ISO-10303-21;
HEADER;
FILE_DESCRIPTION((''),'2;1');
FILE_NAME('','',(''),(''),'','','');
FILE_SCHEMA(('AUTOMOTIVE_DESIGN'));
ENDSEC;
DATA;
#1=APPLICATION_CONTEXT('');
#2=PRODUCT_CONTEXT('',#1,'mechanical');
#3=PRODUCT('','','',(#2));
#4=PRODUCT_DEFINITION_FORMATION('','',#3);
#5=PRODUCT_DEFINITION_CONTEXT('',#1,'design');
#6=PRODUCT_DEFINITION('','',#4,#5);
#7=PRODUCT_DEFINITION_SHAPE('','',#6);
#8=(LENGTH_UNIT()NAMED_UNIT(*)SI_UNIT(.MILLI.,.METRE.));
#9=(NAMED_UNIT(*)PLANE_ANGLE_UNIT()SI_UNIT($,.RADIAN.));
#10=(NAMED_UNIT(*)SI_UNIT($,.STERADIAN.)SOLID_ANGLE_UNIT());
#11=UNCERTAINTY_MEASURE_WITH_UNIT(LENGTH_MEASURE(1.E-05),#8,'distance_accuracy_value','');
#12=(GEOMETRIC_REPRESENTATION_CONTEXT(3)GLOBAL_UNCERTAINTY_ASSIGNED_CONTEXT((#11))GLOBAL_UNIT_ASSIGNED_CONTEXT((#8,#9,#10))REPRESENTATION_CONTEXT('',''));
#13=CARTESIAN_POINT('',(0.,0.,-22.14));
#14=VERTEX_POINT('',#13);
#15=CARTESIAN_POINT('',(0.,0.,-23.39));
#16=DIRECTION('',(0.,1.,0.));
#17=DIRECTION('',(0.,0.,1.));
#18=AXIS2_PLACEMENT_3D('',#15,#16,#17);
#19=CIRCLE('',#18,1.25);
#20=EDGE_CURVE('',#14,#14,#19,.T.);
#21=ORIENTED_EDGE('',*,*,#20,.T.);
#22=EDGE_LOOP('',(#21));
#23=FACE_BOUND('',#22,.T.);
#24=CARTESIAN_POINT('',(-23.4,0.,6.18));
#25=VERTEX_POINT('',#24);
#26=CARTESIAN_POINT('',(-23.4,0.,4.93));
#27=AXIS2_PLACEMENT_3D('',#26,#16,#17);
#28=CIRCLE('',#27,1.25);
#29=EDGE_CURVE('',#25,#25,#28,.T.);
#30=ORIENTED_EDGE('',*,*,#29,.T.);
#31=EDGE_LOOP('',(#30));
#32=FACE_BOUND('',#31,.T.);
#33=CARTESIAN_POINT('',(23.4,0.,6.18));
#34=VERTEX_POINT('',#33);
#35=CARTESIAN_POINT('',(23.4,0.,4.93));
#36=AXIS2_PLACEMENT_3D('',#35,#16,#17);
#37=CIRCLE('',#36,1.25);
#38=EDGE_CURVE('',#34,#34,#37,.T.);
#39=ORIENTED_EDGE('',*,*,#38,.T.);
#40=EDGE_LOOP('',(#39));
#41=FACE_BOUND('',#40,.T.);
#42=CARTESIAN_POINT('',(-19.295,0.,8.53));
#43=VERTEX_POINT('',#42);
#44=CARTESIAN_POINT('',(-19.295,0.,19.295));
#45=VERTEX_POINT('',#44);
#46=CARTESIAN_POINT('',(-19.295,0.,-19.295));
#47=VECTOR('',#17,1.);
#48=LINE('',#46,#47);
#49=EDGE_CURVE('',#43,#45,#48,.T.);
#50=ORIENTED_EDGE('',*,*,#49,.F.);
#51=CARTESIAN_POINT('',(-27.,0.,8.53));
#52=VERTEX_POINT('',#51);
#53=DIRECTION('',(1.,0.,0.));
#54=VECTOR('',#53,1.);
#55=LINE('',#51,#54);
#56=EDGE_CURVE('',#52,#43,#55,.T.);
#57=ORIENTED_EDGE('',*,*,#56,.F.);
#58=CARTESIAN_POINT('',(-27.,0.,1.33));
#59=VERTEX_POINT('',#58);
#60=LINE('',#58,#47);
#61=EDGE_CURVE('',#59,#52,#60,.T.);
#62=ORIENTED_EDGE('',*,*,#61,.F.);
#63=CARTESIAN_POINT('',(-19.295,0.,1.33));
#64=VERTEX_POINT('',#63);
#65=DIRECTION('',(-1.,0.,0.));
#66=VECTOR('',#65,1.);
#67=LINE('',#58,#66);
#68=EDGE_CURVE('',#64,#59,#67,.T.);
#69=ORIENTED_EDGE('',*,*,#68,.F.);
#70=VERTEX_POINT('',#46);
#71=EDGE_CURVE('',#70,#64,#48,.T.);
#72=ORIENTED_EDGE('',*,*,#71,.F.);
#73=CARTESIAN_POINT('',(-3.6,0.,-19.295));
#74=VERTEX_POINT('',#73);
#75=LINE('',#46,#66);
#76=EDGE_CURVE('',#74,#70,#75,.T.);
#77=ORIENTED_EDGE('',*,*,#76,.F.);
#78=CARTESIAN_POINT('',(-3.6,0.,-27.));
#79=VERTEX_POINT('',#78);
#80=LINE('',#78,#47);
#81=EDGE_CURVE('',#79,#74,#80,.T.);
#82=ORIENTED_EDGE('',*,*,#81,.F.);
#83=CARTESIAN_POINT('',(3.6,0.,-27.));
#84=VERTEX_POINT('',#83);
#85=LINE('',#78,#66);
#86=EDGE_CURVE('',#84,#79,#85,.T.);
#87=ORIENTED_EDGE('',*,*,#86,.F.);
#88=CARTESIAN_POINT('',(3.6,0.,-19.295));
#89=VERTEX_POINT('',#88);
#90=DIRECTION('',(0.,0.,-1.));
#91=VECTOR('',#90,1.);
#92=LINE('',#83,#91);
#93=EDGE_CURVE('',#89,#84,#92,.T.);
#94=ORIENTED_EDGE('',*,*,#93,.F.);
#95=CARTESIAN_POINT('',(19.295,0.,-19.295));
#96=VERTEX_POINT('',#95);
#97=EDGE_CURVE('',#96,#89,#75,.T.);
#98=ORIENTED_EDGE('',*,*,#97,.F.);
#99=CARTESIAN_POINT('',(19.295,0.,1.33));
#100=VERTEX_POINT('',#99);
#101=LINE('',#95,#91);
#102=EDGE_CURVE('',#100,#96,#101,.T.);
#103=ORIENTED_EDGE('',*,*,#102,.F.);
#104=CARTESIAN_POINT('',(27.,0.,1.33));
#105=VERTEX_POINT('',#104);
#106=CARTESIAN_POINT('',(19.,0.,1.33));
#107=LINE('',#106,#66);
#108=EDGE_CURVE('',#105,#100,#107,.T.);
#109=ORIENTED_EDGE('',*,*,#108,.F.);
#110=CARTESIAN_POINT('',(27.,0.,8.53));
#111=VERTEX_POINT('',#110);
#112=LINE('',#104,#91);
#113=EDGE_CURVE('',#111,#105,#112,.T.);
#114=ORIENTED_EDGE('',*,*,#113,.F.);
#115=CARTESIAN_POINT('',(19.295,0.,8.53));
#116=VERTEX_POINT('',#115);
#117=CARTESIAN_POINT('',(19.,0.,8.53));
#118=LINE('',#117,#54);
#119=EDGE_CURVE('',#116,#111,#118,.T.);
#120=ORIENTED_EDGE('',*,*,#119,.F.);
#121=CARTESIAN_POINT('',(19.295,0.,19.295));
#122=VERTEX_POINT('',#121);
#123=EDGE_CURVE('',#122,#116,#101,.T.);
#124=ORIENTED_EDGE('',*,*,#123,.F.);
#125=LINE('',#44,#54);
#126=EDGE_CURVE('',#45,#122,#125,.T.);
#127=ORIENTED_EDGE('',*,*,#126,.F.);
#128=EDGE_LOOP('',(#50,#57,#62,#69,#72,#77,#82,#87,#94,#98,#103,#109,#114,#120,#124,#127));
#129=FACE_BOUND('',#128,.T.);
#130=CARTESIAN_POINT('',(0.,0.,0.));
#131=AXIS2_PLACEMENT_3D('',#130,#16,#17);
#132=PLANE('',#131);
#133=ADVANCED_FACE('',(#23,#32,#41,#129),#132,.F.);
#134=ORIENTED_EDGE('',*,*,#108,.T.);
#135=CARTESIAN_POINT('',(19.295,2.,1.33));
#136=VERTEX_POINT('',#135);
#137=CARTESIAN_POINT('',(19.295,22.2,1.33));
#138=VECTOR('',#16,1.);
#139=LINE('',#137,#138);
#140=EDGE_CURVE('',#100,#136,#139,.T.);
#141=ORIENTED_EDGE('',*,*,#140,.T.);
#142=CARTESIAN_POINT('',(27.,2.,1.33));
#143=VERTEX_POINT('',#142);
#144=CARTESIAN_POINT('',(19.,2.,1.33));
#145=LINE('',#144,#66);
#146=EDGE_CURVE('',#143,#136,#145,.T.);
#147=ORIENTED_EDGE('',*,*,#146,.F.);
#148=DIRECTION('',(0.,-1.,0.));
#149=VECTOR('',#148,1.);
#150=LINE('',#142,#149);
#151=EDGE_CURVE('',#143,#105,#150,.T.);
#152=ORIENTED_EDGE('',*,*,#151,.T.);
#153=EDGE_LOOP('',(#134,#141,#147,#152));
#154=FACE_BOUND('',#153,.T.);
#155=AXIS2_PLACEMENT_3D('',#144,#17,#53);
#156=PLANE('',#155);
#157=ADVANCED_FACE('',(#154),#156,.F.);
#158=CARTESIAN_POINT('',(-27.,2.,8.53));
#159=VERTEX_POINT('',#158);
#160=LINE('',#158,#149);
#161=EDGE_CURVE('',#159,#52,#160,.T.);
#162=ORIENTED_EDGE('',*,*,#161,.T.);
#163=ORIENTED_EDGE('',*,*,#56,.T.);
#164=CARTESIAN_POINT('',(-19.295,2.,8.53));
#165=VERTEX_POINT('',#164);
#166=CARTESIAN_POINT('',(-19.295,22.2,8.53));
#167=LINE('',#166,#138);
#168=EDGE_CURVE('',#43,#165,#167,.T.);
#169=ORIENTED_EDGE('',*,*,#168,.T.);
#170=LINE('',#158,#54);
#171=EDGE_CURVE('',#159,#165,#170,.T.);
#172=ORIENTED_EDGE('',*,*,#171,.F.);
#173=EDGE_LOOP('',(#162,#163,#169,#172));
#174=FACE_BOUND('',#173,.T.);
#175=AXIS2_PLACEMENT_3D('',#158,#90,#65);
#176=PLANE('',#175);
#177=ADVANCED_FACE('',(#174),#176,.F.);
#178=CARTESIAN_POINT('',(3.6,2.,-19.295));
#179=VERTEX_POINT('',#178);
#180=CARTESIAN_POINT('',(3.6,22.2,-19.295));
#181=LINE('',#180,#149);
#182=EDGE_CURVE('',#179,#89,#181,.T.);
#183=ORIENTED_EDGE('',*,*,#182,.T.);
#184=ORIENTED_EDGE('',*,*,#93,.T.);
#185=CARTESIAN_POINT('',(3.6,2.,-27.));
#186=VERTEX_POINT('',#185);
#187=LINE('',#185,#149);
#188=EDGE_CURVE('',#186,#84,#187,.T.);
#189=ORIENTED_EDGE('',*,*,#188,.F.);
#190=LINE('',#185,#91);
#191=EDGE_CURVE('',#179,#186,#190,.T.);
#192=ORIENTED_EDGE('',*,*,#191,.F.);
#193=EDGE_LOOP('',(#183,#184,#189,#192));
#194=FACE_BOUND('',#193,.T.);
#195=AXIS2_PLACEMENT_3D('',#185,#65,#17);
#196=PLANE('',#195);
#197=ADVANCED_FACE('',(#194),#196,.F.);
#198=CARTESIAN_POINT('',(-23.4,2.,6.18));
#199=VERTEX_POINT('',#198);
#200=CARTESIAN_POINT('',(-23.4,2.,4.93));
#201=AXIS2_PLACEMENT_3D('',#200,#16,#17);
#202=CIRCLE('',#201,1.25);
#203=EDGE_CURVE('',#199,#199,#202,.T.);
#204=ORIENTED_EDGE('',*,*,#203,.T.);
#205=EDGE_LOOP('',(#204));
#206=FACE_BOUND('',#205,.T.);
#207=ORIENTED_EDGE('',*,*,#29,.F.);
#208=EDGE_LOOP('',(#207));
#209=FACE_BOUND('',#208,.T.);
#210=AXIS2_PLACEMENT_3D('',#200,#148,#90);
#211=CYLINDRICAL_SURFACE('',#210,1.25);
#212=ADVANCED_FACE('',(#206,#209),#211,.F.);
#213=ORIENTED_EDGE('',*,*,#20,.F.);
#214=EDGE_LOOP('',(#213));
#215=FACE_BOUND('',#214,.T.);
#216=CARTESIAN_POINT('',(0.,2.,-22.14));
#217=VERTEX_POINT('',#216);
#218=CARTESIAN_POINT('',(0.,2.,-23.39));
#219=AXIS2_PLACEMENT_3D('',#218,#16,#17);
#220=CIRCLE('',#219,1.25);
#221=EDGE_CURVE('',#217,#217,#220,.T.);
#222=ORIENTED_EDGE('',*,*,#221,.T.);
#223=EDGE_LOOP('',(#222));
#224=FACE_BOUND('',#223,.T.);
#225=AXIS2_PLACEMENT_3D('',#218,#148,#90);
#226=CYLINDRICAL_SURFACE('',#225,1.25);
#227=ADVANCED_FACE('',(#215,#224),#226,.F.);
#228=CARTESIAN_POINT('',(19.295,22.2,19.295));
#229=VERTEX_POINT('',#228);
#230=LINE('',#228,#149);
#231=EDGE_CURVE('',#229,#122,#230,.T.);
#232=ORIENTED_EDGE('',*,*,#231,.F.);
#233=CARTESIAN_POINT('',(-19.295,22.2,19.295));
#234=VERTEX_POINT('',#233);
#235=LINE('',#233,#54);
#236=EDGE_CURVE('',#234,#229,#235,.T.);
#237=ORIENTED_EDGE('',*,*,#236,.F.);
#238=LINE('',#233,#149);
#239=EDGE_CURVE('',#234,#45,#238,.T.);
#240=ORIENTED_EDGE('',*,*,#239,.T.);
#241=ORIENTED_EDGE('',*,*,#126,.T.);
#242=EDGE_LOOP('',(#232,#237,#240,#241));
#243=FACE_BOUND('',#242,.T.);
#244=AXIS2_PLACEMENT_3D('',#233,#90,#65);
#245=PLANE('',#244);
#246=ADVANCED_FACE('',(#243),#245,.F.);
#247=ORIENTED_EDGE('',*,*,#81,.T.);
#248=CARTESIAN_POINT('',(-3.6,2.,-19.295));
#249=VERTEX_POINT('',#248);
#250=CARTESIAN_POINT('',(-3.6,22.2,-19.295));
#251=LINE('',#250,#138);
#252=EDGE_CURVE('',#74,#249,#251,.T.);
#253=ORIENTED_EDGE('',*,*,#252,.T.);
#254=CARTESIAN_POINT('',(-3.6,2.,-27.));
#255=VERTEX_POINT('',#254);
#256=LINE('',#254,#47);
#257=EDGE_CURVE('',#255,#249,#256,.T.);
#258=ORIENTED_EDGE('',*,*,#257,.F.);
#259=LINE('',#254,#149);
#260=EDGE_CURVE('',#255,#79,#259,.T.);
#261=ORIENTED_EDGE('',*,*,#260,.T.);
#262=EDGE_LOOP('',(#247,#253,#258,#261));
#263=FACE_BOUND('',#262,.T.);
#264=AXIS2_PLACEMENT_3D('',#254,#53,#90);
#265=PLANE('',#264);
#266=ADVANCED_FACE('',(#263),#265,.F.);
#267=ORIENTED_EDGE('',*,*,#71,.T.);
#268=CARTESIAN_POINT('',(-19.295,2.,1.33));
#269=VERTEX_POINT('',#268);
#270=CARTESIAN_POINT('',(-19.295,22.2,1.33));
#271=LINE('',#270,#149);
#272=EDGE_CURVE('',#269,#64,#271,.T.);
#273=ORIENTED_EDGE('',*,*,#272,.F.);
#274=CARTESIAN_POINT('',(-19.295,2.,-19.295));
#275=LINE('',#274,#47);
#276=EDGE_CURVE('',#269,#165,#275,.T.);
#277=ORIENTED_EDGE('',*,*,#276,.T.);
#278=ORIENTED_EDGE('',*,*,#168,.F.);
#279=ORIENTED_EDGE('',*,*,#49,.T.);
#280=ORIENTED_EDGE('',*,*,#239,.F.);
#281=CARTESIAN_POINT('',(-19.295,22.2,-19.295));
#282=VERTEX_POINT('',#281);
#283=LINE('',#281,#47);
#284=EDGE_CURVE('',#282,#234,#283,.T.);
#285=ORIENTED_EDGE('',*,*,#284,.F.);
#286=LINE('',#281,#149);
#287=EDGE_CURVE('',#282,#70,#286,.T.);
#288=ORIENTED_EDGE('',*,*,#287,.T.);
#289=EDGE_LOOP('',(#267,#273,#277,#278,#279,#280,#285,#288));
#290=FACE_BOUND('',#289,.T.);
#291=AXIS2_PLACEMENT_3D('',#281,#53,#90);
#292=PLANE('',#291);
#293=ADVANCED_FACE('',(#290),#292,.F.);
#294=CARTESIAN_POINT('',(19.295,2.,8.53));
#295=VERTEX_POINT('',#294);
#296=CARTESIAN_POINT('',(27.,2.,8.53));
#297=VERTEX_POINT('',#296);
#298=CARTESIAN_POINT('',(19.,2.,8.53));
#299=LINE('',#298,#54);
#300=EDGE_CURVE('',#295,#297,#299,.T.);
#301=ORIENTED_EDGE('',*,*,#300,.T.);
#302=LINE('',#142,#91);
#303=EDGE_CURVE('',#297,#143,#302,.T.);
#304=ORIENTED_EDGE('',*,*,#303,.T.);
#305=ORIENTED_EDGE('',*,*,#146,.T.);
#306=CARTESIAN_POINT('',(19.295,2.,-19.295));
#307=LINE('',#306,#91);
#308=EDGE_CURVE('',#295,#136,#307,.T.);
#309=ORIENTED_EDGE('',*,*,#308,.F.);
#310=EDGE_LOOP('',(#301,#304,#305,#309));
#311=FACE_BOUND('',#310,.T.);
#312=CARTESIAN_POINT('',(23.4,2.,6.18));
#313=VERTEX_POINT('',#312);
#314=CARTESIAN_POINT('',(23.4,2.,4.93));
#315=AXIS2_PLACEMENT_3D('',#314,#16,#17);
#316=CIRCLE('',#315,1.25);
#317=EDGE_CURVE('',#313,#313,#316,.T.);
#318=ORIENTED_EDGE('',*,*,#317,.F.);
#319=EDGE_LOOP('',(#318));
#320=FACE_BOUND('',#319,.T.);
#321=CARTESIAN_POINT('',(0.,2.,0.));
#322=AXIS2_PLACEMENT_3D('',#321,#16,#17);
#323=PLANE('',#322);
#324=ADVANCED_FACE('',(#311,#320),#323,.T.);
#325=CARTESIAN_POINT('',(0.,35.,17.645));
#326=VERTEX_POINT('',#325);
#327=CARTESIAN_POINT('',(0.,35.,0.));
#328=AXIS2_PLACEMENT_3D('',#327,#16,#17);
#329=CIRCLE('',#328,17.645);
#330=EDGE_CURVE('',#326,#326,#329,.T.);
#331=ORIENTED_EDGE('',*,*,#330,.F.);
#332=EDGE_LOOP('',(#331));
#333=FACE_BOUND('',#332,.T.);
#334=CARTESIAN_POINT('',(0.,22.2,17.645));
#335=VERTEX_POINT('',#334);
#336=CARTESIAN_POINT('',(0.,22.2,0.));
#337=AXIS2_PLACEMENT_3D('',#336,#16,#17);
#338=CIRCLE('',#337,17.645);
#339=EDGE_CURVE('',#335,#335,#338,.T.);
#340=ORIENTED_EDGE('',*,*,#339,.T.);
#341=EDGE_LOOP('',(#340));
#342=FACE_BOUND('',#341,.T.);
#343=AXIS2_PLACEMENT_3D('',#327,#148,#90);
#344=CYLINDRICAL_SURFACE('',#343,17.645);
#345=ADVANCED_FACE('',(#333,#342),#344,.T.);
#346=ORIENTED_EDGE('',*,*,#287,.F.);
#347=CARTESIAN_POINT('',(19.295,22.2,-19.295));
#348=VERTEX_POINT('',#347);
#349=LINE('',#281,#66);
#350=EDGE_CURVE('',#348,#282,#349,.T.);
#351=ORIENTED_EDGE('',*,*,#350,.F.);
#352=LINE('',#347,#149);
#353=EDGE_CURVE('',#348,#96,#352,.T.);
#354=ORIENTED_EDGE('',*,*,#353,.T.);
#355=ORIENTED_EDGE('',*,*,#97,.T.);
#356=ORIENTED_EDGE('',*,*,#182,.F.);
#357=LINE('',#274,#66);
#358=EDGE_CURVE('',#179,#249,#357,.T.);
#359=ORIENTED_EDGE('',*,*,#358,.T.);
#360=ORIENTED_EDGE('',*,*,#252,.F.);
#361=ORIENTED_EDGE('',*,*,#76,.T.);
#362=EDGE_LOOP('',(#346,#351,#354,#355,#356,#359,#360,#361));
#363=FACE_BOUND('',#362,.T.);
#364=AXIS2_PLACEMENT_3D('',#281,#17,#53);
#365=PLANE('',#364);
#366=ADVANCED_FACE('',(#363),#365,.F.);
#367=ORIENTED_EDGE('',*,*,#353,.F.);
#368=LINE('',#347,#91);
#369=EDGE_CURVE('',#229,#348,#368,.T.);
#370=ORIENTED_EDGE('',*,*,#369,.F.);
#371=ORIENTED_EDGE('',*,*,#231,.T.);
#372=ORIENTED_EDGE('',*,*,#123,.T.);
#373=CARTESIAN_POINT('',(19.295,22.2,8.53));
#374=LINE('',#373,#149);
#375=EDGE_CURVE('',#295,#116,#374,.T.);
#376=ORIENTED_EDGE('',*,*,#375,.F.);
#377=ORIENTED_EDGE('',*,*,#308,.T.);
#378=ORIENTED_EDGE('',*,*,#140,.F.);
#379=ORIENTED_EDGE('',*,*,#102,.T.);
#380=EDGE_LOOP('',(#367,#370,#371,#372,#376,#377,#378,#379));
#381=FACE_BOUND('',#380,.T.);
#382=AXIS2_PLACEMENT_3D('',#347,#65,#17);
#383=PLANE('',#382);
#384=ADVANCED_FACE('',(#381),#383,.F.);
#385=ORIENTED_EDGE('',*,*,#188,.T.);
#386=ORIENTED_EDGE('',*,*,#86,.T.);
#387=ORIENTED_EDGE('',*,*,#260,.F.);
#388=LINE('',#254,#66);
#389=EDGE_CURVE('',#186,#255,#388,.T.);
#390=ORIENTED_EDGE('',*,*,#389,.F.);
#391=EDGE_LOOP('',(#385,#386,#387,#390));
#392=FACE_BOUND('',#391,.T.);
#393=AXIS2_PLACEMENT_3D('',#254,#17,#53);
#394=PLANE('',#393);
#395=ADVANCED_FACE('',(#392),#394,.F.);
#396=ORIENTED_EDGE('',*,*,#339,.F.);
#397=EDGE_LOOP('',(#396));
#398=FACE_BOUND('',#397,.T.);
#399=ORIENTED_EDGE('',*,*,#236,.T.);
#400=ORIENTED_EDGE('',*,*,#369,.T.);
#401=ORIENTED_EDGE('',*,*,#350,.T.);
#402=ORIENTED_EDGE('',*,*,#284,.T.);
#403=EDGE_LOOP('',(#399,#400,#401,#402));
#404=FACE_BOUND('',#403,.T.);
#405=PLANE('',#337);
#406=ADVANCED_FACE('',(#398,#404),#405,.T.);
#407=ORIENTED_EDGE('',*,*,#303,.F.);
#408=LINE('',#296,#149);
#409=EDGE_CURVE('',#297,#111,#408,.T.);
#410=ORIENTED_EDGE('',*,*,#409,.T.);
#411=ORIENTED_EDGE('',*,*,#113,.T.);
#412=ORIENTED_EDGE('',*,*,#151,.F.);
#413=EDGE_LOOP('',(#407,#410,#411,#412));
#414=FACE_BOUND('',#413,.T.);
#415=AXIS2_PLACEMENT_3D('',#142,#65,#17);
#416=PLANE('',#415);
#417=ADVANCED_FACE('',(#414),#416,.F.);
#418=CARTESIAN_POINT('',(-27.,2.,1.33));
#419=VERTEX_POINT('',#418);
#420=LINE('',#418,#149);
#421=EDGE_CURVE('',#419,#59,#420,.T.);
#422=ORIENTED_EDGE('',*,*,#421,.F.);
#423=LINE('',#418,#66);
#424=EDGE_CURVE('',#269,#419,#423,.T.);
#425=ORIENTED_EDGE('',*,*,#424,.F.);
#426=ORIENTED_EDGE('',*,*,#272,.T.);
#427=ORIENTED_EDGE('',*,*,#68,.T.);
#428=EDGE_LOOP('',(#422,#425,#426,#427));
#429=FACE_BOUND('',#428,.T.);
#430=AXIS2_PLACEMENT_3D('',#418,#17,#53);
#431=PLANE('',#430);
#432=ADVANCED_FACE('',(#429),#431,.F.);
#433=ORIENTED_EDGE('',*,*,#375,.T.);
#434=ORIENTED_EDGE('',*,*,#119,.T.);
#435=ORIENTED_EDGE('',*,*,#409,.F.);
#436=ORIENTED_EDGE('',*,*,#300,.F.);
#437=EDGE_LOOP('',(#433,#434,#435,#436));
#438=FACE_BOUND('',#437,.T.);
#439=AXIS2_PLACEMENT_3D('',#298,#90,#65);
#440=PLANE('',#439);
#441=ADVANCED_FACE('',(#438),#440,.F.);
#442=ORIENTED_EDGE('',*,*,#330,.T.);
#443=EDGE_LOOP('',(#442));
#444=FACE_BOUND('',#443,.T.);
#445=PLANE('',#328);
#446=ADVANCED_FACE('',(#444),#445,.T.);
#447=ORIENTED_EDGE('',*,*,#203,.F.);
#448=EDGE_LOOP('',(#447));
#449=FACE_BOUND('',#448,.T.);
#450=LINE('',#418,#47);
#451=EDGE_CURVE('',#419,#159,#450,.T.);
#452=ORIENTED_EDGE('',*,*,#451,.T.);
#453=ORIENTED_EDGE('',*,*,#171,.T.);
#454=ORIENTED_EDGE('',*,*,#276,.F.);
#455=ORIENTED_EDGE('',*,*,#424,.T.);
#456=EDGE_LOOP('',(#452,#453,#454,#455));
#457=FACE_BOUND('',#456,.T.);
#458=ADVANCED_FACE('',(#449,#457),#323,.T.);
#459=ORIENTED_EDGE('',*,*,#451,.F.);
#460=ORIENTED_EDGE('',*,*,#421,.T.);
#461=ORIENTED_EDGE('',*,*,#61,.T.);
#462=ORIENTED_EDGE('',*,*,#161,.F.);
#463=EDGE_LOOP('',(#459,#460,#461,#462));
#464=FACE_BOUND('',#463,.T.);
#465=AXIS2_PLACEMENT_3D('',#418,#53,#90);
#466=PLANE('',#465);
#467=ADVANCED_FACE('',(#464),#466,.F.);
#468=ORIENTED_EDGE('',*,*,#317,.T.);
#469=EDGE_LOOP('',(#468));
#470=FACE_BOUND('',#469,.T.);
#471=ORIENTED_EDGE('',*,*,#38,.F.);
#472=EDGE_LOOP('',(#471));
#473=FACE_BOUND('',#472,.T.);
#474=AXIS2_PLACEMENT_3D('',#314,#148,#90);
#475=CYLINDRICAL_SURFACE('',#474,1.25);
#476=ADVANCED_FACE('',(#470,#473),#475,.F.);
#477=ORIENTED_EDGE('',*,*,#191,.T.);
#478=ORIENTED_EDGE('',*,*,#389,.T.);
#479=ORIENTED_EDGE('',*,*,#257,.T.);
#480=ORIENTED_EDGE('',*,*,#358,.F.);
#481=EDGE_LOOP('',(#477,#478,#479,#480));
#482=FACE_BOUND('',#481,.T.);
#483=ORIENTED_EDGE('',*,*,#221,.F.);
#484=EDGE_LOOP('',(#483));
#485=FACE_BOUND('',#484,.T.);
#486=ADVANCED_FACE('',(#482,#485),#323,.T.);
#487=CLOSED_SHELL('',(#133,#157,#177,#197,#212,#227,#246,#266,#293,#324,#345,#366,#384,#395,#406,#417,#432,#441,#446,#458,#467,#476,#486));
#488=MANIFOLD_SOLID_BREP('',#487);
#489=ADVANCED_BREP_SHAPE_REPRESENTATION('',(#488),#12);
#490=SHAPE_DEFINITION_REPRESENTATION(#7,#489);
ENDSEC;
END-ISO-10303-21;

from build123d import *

# Parameters (mm, degrees)
SK_HOUSING_W       = 38.59
SK_HOUSING_H       = 38.59
EX_HOUSING_DEPTH   = 22.2
SK_EARS_W          = 8
SK_EARS_H          = 7.2
SK_EARS_W_2        = 7.2
SK_EARS_H_2        = 8
EX_EARS_DEPTH      = 2
SK_HOLES_3X_R      = 1.25
CUT_HOLES_3X_DEPTH = 2
SK_DOME_R          = 17.645
EX_DOME_DEPTH      = 12.8


with BuildPart() as part:
    # SK_Housing → EX_Housing (new body)
    with BuildSketch(Plane(origin=(0, 0, 0), x_dir=(1, 0, 0), z_dir=(0, 1, 0))):
        Rectangle(SK_HOUSING_W, SK_HOUSING_H)
    extrude(amount=EX_HOUSING_DEPTH)

    # SK_Ears → EX_Ears (add)
    with BuildSketch(Plane(origin=(0, 0, 0), x_dir=(1, 0, 0), z_dir=(0, 1, 0))):
        with Locations((23, -4.93)):
            Rectangle(SK_EARS_W, SK_EARS_H)
        with Locations((-23, -4.93)):
            Rectangle(SK_EARS_W, SK_EARS_H)
        with Locations((0, 23)):
            Rectangle(SK_EARS_W_2, SK_EARS_H_2)
    extrude(amount=EX_EARS_DEPTH)

    # SK_Holes_3x → CUT_Holes_3x (cut)
    with BuildSketch(Plane(origin=(0, 0, 0), x_dir=(1, 0, 0), z_dir=(0, 1, 0))):
        with Locations((23.4, -4.93)):
            Circle(SK_HOLES_3X_R)
        with Locations((-23.4, -4.93)):
            Circle(SK_HOLES_3X_R)
        with Locations((0, 23.39)):
            Circle(SK_HOLES_3X_R)
    extrude(amount=CUT_HOLES_3X_DEPTH, mode=Mode.SUBTRACT)

    # SK_Dome → EX_Dome (add)
    with BuildSketch(Plane(origin=(0, 22.2, 0), x_dir=(1, 0, 0), z_dir=(0, 1, 0))):
        Circle(SK_DOME_R)
    extrude(amount=EX_DOME_DEPTH)


solid = part.part
